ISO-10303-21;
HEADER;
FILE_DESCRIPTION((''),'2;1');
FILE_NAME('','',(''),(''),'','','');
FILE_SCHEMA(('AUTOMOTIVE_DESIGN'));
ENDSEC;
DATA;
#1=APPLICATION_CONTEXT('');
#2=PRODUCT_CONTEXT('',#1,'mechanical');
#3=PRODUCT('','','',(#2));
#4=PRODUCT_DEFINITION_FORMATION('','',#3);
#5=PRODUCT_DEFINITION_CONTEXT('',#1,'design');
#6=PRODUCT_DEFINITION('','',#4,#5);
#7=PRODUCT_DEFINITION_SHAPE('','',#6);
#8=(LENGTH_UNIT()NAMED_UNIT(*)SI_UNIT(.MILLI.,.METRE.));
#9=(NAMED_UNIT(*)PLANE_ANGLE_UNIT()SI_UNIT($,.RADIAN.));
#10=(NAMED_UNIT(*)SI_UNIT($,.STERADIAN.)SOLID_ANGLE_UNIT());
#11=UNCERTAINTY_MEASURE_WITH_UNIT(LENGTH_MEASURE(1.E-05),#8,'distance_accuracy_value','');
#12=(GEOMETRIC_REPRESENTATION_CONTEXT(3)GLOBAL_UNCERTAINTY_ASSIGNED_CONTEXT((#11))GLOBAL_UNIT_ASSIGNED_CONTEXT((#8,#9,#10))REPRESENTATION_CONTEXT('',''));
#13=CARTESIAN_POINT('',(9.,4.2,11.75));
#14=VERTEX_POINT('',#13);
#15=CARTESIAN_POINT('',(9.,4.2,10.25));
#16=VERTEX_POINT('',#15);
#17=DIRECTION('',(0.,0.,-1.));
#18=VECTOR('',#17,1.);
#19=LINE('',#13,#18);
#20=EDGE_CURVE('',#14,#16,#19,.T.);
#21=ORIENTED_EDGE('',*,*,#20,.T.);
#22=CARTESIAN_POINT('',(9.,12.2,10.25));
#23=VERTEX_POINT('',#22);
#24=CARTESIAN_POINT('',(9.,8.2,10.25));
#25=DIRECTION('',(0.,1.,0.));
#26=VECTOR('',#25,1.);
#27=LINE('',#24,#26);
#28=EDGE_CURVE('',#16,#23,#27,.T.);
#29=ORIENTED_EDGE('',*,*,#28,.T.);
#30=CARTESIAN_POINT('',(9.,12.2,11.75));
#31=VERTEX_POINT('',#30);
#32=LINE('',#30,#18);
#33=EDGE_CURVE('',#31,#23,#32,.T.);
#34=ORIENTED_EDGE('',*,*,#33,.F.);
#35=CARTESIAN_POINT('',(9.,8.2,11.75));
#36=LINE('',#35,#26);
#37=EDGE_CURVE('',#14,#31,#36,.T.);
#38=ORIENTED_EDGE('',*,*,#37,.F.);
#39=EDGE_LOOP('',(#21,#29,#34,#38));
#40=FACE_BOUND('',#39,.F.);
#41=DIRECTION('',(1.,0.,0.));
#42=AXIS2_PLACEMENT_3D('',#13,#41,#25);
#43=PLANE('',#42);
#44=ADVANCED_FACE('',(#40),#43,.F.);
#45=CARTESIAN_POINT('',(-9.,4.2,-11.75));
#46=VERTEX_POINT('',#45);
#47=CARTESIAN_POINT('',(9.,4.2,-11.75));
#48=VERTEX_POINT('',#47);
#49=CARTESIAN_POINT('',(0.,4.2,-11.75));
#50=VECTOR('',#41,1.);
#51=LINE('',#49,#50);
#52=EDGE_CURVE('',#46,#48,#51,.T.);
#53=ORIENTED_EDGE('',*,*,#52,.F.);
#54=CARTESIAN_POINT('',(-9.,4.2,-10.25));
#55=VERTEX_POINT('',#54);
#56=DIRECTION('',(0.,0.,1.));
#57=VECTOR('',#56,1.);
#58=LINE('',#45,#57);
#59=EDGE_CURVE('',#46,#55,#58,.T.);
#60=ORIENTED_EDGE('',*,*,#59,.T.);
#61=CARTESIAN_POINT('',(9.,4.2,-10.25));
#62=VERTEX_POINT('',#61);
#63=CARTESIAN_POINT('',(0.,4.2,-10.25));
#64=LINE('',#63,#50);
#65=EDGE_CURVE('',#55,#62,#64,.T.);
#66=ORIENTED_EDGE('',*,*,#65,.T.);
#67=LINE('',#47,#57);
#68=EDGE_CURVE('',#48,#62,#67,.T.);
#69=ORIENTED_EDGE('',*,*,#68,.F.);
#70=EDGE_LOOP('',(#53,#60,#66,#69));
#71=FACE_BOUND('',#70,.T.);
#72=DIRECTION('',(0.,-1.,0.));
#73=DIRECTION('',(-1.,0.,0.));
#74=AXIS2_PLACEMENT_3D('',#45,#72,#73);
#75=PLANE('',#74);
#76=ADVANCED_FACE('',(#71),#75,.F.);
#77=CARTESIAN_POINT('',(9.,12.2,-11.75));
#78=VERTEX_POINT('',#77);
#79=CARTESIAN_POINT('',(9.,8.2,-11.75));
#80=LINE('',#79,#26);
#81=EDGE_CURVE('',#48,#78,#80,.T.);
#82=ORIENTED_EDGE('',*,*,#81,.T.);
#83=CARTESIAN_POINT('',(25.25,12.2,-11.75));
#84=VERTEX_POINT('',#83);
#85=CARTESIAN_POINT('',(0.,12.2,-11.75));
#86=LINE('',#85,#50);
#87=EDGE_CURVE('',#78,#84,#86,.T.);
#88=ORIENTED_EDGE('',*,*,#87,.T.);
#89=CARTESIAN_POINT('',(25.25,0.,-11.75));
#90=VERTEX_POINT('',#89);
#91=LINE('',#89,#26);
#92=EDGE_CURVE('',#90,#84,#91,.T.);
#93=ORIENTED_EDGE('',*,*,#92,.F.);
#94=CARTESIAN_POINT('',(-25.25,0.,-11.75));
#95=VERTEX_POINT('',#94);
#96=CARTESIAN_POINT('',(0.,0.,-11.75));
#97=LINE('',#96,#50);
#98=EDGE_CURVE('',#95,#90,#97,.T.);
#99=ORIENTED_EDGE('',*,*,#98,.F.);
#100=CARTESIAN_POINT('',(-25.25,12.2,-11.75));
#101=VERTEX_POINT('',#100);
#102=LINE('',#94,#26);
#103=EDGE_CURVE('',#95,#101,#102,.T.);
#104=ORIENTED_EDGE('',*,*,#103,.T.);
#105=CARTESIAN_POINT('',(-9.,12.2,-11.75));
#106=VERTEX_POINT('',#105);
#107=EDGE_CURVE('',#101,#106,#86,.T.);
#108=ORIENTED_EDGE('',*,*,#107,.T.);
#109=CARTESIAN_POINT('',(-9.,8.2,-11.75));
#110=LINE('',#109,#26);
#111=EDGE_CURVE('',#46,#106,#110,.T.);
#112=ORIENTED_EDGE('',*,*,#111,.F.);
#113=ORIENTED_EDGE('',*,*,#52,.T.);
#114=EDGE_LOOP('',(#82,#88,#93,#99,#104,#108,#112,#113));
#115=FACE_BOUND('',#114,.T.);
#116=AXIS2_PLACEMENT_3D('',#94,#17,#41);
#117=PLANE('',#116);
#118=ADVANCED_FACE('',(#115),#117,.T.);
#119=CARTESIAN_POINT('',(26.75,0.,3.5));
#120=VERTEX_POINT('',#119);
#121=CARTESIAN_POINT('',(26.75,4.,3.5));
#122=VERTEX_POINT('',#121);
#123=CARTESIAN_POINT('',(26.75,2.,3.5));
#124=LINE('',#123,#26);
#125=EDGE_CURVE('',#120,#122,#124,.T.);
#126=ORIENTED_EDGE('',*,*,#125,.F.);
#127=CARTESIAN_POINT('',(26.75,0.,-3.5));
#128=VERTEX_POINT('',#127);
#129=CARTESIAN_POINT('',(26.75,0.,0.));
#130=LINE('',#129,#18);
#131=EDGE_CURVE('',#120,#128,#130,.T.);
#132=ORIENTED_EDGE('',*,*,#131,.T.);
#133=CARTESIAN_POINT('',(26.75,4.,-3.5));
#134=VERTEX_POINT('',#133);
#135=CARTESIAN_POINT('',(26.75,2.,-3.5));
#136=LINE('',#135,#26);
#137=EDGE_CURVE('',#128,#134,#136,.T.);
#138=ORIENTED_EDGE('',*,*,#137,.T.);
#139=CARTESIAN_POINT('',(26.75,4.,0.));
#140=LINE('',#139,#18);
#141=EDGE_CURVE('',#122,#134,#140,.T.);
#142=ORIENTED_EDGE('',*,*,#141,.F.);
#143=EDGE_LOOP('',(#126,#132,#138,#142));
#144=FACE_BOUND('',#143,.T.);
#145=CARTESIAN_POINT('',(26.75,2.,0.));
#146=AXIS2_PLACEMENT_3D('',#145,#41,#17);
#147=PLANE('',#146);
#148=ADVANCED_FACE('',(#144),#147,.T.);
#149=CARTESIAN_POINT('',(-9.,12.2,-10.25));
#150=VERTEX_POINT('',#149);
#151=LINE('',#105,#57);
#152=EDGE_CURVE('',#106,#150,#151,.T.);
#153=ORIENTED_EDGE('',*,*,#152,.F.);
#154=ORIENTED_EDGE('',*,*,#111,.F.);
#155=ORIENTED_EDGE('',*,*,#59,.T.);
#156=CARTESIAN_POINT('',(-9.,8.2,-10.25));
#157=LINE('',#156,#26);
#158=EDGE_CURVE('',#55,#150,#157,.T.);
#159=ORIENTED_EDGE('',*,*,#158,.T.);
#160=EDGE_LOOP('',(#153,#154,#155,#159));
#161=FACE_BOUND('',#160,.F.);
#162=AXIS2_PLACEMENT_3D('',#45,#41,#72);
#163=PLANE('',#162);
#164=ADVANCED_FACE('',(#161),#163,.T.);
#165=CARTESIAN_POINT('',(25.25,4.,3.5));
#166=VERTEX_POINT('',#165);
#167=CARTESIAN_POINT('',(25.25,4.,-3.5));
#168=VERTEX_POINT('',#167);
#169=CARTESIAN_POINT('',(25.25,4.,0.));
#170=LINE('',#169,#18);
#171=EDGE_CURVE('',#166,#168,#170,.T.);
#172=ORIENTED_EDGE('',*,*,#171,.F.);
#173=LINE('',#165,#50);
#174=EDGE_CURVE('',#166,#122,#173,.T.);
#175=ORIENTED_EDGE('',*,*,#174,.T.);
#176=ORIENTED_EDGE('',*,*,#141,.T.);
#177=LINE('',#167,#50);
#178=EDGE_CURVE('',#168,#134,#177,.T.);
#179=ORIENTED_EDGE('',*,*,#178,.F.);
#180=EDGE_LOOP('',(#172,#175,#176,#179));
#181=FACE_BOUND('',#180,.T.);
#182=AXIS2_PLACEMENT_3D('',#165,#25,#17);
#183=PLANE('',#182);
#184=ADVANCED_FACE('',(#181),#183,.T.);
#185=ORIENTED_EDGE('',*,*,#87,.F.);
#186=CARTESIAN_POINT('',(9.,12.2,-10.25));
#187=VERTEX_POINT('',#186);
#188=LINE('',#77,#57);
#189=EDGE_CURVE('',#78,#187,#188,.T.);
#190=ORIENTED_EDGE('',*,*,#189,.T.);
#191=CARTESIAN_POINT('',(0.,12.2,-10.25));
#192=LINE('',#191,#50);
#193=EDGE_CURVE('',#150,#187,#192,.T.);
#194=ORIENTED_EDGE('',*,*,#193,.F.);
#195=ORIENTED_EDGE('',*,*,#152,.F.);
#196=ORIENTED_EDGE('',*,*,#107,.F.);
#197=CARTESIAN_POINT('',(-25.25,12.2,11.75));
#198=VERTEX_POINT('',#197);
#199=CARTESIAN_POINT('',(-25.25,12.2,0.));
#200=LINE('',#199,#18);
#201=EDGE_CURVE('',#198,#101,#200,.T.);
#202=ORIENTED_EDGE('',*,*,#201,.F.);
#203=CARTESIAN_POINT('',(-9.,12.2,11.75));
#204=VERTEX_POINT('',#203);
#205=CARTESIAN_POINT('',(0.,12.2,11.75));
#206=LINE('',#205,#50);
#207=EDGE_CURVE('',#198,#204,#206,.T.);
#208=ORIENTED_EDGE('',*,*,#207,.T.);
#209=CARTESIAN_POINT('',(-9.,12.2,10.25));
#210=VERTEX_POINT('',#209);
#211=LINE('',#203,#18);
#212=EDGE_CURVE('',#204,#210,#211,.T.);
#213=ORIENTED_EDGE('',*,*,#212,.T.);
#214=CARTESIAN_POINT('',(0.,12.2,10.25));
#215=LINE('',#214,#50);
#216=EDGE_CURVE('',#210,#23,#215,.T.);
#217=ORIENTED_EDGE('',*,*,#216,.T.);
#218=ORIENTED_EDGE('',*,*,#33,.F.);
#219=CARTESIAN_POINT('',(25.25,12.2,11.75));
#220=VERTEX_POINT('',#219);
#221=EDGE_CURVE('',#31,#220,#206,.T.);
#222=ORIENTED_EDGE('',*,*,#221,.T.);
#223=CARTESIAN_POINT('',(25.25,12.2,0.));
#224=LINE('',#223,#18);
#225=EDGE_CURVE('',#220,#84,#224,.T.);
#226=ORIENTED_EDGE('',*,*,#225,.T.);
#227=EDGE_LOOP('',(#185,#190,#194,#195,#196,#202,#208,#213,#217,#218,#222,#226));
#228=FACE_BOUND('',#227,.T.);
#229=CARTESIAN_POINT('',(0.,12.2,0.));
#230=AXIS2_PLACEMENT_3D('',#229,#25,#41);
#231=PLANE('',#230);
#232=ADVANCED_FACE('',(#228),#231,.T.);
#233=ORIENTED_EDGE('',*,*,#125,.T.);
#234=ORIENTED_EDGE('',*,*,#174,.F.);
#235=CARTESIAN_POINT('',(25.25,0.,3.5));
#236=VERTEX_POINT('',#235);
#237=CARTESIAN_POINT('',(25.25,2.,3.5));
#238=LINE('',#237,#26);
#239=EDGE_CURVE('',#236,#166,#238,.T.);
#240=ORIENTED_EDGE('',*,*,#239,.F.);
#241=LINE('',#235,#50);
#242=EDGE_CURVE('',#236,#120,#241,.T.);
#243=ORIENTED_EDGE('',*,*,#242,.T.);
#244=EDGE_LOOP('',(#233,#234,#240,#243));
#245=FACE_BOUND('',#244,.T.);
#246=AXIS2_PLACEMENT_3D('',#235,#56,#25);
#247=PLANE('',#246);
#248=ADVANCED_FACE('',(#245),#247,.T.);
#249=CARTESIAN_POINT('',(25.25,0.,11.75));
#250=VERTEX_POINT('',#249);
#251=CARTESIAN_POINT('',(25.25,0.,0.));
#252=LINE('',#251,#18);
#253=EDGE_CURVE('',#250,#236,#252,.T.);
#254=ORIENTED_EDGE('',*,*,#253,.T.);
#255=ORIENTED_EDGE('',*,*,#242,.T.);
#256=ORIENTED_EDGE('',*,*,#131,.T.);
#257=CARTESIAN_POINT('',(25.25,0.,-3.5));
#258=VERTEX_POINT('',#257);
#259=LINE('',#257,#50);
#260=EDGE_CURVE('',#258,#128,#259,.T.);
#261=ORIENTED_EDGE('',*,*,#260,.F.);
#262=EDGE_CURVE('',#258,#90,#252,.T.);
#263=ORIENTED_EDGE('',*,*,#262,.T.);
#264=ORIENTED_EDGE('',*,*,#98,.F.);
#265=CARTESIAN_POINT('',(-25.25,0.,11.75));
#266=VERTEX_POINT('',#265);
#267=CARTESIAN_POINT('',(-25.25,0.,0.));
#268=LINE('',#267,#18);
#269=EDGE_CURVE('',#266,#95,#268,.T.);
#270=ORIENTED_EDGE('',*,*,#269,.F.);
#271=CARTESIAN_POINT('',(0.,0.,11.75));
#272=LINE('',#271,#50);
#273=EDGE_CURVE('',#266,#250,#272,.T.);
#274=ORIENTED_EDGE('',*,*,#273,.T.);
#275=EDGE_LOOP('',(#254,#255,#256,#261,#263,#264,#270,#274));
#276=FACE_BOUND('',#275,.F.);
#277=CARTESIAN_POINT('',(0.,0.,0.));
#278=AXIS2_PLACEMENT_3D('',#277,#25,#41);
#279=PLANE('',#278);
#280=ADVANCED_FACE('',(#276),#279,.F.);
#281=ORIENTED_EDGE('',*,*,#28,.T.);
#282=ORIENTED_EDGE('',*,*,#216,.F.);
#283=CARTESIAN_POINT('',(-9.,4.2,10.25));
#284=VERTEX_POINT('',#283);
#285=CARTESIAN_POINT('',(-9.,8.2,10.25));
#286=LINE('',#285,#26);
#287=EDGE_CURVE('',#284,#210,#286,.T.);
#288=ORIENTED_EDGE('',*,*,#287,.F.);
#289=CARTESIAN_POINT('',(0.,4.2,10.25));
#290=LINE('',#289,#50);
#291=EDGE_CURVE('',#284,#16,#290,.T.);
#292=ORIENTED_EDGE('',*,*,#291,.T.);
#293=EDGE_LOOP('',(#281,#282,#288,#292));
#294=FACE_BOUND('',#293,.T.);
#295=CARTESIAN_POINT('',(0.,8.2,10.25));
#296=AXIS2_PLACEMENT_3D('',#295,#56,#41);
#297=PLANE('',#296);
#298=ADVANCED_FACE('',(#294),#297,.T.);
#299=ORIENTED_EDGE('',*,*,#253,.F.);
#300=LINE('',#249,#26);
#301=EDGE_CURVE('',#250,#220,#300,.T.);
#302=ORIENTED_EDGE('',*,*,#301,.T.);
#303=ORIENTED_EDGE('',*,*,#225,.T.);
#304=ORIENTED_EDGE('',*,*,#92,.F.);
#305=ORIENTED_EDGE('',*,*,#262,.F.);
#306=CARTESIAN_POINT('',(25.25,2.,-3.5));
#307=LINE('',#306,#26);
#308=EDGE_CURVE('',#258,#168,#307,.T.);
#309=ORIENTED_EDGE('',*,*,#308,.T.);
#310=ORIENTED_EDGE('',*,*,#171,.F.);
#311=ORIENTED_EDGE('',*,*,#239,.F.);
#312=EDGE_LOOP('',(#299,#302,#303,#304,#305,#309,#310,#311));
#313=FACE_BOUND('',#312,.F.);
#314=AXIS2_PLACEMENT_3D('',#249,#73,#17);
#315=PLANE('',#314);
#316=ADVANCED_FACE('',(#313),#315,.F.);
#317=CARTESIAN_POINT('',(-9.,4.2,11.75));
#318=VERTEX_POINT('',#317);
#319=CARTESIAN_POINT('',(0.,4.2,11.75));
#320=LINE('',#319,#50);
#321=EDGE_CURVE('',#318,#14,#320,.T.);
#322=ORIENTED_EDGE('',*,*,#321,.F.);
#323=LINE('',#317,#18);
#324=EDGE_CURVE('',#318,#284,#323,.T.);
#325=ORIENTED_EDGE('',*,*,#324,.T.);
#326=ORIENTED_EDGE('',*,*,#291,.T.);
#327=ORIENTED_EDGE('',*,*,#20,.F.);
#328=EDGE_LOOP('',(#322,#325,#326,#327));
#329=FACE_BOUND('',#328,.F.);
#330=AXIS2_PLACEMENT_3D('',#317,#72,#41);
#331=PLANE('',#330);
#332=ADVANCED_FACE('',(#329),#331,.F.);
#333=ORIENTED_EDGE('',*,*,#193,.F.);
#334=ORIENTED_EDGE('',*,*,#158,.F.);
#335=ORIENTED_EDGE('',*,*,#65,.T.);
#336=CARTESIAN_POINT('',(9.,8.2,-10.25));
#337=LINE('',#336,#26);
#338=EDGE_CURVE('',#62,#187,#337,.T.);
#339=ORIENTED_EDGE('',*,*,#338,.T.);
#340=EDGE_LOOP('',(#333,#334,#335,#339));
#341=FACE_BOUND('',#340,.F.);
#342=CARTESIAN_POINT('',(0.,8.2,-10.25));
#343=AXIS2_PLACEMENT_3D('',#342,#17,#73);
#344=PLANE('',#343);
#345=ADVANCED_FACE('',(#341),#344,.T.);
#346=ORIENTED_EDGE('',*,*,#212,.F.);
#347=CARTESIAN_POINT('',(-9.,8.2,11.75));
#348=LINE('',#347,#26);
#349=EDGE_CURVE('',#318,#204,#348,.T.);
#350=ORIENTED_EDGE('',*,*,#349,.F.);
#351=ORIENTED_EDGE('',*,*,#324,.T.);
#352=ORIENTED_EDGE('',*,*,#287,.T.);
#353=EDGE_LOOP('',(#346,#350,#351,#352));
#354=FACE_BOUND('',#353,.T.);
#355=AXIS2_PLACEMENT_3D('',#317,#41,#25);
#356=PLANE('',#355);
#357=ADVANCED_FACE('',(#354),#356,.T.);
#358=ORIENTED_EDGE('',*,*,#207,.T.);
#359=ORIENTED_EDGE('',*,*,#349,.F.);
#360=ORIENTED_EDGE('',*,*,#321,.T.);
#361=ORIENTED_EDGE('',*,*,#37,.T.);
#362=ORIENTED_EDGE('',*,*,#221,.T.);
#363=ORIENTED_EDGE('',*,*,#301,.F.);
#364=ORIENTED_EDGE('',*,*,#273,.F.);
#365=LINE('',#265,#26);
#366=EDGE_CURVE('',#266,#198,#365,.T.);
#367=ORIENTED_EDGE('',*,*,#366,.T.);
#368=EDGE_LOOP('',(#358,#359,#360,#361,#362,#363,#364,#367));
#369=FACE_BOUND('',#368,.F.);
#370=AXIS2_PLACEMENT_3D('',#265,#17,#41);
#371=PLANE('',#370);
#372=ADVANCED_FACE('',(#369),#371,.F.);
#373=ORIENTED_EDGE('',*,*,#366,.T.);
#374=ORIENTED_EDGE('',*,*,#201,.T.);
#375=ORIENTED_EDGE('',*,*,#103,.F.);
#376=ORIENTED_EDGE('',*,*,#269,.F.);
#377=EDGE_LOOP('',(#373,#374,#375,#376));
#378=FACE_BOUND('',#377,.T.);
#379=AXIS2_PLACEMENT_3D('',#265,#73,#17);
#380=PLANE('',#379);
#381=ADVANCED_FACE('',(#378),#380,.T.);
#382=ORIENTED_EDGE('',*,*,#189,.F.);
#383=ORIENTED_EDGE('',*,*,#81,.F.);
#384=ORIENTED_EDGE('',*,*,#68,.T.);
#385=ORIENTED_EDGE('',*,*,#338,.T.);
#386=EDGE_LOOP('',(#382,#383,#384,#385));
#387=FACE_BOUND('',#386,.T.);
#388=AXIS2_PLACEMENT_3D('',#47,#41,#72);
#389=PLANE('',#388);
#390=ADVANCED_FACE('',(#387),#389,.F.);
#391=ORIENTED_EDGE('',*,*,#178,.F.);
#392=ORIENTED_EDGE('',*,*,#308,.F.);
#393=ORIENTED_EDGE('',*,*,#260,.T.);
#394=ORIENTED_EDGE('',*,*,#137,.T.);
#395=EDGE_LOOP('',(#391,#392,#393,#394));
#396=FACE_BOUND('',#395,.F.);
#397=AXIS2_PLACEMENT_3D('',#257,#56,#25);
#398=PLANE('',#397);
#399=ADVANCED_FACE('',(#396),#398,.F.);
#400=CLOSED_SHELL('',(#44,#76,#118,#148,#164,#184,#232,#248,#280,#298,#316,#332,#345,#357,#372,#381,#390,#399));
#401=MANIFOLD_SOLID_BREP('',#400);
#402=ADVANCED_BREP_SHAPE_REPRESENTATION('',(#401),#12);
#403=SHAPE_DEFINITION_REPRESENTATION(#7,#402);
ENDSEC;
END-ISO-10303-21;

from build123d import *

# Parameters (mm, degrees)
SKETCH_1_W          = 50.5
SKETCH_1_H          = 23.5
EXTRUDE_1_DEPTH     = 12.2
SKETCH_2_W          = 7
SKETCH_2_H          = 4
EXTRUDE_2_DEPTH     = 1.5
SKETCH_3_W          = 18
SKETCH_3_H          = 8
CUT_EXTRUDE_1_DEPTH = 1.5


with BuildPart() as part:
    # Эскиз1 → Бобышка-Вытянуть1 (new body)
    with BuildSketch(Plane(origin=(0, 0, 0), x_dir=(1, 0, 0), z_dir=(0, 1, 0))):
        Rectangle(SKETCH_1_W, SKETCH_1_H)
    extrude(amount=EXTRUDE_1_DEPTH)

    # Эскиз2 → Бобышка-Вытянуть2 (add)
    with BuildSketch(Plane(origin=(25.25, 0, 0), x_dir=(0, 0, -1), z_dir=(1, 0, 0))):
        with Locations((0, 2)):
            Rectangle(SKETCH_2_W, SKETCH_2_H)
    extrude(amount=EXTRUDE_2_DEPTH)

    # Эскиз3 → Вырез-Вытянуть1 (cut)
    with BuildSketch(Plane.XY.offset(11.75)):
        with Locations((0, 8.2)):
            Rectangle(SKETCH_3_W, SKETCH_3_H)
    cut_extrude_1 = extrude(amount=-CUT_EXTRUDE_1_DEPTH, mode=Mode.SUBTRACT)

    # Зеркальное отражение1: Вырез-Вытянуть1 across plane
    add(cut_extrude_1.mirror(Plane.XY), mode=Mode.SUBTRACT)


solid = part.part
